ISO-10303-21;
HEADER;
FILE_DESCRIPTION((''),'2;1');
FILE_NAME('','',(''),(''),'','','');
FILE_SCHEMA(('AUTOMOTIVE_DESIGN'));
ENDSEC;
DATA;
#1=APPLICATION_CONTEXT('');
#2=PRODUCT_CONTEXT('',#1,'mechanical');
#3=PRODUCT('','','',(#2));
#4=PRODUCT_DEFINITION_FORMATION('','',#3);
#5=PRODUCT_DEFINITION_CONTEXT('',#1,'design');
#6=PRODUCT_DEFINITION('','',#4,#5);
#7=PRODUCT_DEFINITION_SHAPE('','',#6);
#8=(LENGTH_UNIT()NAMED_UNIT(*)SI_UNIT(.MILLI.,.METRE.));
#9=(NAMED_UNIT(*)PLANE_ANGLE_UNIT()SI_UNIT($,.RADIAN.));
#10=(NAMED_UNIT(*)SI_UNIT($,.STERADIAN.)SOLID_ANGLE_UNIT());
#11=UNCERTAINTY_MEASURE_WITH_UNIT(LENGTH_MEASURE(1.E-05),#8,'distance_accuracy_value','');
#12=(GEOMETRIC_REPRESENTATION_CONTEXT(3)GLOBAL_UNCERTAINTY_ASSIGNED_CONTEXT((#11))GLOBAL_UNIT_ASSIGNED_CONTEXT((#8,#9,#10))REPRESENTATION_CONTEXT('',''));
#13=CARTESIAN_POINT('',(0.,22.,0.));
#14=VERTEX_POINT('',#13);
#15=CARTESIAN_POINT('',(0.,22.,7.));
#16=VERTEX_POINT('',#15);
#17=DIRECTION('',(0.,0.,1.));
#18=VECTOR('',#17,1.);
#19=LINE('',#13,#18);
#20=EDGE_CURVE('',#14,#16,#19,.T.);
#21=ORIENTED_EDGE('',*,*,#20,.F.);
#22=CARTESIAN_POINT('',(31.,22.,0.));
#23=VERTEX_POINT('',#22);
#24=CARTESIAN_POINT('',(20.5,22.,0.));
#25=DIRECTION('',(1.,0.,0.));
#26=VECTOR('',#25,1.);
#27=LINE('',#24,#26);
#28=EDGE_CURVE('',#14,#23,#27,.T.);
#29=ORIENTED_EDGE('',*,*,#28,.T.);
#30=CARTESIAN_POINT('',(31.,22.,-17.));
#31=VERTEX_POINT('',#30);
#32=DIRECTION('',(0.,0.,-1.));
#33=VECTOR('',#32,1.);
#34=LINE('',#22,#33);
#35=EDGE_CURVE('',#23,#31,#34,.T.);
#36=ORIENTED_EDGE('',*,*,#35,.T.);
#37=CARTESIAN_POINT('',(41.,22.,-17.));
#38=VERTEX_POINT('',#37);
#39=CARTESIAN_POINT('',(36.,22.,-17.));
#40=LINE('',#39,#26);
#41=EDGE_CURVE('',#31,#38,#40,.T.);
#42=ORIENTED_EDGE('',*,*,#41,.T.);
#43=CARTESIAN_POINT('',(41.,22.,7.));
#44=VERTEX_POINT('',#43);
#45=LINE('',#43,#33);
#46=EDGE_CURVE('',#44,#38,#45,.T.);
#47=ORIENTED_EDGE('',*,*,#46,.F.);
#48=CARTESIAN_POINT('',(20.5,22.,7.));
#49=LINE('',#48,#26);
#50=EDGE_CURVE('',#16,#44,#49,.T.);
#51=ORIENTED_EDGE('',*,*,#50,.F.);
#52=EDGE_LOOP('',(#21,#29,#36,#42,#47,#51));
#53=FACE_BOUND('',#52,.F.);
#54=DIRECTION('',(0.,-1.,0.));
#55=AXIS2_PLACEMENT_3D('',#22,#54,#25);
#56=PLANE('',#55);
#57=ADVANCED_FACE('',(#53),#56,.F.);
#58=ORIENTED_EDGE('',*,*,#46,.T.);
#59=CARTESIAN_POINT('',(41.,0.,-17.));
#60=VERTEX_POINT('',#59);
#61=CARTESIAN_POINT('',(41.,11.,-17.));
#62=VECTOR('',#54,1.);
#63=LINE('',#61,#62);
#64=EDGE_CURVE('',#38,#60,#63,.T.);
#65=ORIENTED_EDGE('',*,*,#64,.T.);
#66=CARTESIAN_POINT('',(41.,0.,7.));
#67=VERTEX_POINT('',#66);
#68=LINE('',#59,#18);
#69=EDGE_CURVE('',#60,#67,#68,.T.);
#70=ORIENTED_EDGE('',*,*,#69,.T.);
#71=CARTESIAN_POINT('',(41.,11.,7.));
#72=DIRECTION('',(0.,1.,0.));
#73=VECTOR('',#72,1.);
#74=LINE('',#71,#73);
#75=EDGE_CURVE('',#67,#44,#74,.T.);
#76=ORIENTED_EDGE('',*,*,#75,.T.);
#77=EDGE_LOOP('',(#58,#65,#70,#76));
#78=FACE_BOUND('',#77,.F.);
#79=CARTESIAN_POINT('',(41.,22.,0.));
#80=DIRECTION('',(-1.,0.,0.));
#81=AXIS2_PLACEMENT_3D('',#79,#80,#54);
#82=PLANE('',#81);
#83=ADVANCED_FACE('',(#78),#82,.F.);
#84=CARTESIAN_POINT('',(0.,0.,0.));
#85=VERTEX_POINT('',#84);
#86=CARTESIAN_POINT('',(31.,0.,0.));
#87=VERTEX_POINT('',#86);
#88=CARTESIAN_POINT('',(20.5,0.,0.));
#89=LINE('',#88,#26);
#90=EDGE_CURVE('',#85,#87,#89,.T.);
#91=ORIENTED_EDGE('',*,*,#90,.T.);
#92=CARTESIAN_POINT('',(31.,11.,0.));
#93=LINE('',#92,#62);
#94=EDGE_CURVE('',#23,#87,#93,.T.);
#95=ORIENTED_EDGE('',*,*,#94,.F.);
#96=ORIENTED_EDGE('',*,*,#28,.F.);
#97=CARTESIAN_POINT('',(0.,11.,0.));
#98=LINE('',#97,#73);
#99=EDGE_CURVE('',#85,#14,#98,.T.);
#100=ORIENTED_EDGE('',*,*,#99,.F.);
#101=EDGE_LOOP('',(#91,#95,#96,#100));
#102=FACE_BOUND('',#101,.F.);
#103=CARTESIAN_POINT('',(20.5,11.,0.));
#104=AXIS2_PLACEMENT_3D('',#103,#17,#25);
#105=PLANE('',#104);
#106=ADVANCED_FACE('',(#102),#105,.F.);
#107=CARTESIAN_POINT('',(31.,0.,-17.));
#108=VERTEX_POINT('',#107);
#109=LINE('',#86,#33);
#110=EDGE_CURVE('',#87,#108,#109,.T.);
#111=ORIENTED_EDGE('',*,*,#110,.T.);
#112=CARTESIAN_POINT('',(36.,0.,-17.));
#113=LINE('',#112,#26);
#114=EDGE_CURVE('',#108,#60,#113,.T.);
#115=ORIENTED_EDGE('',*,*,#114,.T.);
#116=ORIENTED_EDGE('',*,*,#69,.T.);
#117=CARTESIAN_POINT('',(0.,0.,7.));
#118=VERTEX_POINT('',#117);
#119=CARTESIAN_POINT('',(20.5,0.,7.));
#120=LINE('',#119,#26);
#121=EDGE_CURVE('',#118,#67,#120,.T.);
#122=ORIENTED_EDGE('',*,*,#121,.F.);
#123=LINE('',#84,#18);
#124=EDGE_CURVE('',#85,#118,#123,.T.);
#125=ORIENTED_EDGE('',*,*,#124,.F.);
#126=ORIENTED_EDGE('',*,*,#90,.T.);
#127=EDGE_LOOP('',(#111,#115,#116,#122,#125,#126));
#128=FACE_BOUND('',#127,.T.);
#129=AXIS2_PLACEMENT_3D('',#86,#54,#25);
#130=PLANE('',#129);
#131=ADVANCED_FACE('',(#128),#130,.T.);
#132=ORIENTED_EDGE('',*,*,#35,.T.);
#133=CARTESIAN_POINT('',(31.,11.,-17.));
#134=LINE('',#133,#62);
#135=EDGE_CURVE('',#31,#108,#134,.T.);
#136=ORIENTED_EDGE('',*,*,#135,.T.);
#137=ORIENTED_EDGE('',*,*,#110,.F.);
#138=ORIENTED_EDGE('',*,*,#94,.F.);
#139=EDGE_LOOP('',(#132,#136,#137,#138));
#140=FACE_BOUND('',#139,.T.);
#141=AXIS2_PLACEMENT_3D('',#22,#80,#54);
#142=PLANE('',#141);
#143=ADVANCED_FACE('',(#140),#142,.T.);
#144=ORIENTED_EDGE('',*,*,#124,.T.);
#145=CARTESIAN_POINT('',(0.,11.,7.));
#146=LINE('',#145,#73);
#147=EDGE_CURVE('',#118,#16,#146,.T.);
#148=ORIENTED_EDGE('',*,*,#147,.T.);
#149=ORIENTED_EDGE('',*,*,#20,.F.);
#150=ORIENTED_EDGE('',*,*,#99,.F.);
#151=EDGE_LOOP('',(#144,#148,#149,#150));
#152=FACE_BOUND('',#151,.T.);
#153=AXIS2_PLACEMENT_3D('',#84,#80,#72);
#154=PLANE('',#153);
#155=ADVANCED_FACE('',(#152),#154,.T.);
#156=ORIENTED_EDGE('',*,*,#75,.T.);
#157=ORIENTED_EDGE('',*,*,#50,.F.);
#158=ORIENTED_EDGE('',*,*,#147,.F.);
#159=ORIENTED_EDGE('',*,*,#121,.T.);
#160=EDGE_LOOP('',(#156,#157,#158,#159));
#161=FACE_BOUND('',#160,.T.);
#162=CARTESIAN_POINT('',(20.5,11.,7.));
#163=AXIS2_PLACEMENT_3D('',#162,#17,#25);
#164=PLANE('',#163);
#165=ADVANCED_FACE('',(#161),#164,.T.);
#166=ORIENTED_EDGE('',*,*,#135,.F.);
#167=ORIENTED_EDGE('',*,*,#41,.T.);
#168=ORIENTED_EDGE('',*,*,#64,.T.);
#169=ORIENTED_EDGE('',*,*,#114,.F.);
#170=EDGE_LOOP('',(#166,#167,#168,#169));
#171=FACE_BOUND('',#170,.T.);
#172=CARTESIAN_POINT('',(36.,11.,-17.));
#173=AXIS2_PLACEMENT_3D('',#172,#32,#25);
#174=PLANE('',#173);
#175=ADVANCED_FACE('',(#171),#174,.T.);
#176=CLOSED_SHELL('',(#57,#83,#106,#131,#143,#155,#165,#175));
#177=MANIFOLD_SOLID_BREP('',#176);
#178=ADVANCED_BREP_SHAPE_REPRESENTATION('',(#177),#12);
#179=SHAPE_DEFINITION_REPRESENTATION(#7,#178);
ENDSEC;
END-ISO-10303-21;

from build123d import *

# Parameters (mm, degrees)
SKETCH_W     = 41
SKETCH_H     = 22
PAD_DEPTH    = 7
SKETCH001_W  = 10
SKETCH001_H  = 22
PAD001_DEPTH = 17


with BuildPart() as part:
    # Sketch → Pad (new body)
    with BuildSketch(Plane.XY):
        with Locations((20.5, 11)):
            Rectangle(SKETCH_W, SKETCH_H)
    extrude(amount=PAD_DEPTH)

    # Sketch001 → Pad001 (new body)
    with BuildSketch(Plane(origin=(0, 0, 0), x_dir=(1, 0, 0), z_dir=(0, 0, -1))):
        with Locations((36, -11)):
            Rectangle(SKETCH001_W, SKETCH001_H)
    extrude(amount=PAD001_DEPTH)


solid = part.part
